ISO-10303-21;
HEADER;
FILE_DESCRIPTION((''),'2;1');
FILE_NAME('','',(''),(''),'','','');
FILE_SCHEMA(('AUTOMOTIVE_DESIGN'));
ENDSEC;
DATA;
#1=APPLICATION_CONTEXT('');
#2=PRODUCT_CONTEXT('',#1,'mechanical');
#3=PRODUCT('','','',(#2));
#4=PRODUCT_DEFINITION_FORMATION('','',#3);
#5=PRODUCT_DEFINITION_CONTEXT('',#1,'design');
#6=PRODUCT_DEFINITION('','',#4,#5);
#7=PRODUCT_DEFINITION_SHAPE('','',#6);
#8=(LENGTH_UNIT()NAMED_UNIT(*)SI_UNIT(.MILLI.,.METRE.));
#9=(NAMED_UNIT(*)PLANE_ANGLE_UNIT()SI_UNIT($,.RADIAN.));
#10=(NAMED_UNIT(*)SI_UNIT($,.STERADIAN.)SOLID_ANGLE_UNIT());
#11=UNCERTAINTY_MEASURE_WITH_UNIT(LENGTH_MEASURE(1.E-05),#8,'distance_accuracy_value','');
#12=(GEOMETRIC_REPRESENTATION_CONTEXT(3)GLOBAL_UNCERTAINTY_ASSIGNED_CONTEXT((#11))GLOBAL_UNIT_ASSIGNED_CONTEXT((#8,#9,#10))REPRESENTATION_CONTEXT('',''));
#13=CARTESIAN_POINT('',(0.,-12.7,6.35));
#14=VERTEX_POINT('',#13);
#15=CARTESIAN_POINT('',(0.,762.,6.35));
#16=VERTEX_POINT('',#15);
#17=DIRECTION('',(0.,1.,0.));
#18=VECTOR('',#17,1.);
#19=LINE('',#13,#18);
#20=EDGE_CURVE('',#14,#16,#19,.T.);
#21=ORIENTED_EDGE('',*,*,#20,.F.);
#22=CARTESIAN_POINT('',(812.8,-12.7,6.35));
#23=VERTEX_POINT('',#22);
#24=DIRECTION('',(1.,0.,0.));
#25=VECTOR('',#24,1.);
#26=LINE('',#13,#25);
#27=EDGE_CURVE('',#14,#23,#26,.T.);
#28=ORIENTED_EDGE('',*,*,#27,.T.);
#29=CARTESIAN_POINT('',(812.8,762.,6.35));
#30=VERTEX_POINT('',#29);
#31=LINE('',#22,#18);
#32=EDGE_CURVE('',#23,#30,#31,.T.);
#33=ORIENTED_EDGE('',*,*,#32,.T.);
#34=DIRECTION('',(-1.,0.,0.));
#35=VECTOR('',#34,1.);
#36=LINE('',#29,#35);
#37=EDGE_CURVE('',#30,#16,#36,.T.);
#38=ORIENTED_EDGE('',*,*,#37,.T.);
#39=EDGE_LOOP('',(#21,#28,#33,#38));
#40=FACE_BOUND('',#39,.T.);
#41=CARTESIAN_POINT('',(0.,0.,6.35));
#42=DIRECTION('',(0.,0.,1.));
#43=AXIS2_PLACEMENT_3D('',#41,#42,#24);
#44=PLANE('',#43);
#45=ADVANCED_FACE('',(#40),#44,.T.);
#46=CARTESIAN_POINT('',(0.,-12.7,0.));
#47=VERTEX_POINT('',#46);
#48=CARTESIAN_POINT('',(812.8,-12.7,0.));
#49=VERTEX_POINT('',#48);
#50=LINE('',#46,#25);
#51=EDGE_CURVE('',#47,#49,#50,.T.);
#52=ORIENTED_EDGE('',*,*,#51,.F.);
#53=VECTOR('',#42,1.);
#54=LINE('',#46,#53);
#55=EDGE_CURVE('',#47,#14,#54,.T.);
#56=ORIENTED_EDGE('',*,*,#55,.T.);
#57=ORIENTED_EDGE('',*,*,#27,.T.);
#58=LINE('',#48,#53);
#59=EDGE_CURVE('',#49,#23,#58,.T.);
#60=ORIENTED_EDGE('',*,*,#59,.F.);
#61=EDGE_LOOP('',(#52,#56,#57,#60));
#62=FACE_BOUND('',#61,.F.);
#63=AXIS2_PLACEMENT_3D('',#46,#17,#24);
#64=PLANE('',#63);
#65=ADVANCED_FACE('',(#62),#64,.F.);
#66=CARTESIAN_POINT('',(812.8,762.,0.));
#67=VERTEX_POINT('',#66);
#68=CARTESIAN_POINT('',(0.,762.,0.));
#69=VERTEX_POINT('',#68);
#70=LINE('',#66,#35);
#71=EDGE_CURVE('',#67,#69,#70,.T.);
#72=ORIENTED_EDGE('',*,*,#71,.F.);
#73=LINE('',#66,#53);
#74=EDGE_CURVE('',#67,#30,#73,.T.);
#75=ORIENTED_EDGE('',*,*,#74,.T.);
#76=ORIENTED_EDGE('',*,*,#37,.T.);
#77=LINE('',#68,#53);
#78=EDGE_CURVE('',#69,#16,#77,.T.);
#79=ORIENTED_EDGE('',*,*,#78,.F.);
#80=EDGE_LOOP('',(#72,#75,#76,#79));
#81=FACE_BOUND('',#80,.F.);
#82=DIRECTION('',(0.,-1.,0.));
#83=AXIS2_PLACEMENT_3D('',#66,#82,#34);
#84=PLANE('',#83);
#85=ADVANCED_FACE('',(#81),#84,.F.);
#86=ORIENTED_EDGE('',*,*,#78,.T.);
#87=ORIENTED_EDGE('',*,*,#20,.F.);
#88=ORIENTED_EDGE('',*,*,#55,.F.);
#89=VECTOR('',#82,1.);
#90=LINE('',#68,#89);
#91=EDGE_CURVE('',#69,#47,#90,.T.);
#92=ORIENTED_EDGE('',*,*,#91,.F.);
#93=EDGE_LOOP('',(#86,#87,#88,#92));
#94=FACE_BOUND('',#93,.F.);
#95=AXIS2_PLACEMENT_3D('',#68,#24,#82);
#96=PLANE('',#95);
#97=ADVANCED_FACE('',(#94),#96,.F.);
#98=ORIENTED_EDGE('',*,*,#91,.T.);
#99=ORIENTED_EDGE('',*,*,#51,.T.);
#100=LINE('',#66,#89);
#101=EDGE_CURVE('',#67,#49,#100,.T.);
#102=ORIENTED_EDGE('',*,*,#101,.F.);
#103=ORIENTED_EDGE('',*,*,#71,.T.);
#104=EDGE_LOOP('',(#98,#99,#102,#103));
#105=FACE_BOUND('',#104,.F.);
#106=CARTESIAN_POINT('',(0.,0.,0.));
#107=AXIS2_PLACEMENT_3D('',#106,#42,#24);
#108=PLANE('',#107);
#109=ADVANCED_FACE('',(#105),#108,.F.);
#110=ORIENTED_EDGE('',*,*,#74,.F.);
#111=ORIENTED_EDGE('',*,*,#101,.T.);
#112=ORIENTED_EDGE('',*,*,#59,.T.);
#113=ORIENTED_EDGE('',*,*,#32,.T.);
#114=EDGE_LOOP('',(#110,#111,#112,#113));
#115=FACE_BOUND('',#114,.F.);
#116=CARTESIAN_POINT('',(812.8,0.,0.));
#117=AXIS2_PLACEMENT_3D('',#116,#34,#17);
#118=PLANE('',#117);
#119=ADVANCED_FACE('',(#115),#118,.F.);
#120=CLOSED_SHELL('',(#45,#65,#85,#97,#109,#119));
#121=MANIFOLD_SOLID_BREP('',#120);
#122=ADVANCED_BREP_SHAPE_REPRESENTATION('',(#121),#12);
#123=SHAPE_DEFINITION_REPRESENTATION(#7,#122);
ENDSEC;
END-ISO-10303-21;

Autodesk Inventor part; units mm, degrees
ref_plane "YZ Plane" through (0, 0, 0) normal (1, 0, 0) x (0, 1, 0)
ref_plane "XZ Plane" through (0, 0, 0) normal (0, 1, 0) x (-1, 0, 0)
ref_plane "XY Plane" through (0, 0, 0) normal (0, 0, 1) x (1, 0, 0)
sketch "Sketch1" plane through (0, 0, 0) normal (0, 0, 1) x (1, 0, 0)
  line L0 (0, 0) -> (812.8, 0)
  line L1 (812.8, 0) -> (812.8, 762)
  line L2 (812.8, 762) -> (0, 762)
  line L3 (0, 762) -> (0, 0)
  dimension "d0" = 812.8
  dimension "d1" = 762
extrude "Extrusion1" add sketch "Sketch1" along normal blind 6.35
sketch "Sketch2" plane through (0, 0, 0) normal (0, 0, 1) x (1, 0, 0)
  line L0 (0, 762) -> (0, 0) projected
  line L1 (0, 0) -> (0, -12.7)
  line L2 (0, -12.7) -> (812.8, -12.7)
  line L3 (0, 0) -> (812.8, 0) projected
  line L4 (812.8, -12.7) -> (812.8, 0)
  line L5 (812.8, 0) -> (0, 0)
  dimension "d4" = 12.7
extrude "Extrusion2" add sketch "Sketch2" along normal blind 6.35
properties part number "big_back_plywood_Ocampo"
